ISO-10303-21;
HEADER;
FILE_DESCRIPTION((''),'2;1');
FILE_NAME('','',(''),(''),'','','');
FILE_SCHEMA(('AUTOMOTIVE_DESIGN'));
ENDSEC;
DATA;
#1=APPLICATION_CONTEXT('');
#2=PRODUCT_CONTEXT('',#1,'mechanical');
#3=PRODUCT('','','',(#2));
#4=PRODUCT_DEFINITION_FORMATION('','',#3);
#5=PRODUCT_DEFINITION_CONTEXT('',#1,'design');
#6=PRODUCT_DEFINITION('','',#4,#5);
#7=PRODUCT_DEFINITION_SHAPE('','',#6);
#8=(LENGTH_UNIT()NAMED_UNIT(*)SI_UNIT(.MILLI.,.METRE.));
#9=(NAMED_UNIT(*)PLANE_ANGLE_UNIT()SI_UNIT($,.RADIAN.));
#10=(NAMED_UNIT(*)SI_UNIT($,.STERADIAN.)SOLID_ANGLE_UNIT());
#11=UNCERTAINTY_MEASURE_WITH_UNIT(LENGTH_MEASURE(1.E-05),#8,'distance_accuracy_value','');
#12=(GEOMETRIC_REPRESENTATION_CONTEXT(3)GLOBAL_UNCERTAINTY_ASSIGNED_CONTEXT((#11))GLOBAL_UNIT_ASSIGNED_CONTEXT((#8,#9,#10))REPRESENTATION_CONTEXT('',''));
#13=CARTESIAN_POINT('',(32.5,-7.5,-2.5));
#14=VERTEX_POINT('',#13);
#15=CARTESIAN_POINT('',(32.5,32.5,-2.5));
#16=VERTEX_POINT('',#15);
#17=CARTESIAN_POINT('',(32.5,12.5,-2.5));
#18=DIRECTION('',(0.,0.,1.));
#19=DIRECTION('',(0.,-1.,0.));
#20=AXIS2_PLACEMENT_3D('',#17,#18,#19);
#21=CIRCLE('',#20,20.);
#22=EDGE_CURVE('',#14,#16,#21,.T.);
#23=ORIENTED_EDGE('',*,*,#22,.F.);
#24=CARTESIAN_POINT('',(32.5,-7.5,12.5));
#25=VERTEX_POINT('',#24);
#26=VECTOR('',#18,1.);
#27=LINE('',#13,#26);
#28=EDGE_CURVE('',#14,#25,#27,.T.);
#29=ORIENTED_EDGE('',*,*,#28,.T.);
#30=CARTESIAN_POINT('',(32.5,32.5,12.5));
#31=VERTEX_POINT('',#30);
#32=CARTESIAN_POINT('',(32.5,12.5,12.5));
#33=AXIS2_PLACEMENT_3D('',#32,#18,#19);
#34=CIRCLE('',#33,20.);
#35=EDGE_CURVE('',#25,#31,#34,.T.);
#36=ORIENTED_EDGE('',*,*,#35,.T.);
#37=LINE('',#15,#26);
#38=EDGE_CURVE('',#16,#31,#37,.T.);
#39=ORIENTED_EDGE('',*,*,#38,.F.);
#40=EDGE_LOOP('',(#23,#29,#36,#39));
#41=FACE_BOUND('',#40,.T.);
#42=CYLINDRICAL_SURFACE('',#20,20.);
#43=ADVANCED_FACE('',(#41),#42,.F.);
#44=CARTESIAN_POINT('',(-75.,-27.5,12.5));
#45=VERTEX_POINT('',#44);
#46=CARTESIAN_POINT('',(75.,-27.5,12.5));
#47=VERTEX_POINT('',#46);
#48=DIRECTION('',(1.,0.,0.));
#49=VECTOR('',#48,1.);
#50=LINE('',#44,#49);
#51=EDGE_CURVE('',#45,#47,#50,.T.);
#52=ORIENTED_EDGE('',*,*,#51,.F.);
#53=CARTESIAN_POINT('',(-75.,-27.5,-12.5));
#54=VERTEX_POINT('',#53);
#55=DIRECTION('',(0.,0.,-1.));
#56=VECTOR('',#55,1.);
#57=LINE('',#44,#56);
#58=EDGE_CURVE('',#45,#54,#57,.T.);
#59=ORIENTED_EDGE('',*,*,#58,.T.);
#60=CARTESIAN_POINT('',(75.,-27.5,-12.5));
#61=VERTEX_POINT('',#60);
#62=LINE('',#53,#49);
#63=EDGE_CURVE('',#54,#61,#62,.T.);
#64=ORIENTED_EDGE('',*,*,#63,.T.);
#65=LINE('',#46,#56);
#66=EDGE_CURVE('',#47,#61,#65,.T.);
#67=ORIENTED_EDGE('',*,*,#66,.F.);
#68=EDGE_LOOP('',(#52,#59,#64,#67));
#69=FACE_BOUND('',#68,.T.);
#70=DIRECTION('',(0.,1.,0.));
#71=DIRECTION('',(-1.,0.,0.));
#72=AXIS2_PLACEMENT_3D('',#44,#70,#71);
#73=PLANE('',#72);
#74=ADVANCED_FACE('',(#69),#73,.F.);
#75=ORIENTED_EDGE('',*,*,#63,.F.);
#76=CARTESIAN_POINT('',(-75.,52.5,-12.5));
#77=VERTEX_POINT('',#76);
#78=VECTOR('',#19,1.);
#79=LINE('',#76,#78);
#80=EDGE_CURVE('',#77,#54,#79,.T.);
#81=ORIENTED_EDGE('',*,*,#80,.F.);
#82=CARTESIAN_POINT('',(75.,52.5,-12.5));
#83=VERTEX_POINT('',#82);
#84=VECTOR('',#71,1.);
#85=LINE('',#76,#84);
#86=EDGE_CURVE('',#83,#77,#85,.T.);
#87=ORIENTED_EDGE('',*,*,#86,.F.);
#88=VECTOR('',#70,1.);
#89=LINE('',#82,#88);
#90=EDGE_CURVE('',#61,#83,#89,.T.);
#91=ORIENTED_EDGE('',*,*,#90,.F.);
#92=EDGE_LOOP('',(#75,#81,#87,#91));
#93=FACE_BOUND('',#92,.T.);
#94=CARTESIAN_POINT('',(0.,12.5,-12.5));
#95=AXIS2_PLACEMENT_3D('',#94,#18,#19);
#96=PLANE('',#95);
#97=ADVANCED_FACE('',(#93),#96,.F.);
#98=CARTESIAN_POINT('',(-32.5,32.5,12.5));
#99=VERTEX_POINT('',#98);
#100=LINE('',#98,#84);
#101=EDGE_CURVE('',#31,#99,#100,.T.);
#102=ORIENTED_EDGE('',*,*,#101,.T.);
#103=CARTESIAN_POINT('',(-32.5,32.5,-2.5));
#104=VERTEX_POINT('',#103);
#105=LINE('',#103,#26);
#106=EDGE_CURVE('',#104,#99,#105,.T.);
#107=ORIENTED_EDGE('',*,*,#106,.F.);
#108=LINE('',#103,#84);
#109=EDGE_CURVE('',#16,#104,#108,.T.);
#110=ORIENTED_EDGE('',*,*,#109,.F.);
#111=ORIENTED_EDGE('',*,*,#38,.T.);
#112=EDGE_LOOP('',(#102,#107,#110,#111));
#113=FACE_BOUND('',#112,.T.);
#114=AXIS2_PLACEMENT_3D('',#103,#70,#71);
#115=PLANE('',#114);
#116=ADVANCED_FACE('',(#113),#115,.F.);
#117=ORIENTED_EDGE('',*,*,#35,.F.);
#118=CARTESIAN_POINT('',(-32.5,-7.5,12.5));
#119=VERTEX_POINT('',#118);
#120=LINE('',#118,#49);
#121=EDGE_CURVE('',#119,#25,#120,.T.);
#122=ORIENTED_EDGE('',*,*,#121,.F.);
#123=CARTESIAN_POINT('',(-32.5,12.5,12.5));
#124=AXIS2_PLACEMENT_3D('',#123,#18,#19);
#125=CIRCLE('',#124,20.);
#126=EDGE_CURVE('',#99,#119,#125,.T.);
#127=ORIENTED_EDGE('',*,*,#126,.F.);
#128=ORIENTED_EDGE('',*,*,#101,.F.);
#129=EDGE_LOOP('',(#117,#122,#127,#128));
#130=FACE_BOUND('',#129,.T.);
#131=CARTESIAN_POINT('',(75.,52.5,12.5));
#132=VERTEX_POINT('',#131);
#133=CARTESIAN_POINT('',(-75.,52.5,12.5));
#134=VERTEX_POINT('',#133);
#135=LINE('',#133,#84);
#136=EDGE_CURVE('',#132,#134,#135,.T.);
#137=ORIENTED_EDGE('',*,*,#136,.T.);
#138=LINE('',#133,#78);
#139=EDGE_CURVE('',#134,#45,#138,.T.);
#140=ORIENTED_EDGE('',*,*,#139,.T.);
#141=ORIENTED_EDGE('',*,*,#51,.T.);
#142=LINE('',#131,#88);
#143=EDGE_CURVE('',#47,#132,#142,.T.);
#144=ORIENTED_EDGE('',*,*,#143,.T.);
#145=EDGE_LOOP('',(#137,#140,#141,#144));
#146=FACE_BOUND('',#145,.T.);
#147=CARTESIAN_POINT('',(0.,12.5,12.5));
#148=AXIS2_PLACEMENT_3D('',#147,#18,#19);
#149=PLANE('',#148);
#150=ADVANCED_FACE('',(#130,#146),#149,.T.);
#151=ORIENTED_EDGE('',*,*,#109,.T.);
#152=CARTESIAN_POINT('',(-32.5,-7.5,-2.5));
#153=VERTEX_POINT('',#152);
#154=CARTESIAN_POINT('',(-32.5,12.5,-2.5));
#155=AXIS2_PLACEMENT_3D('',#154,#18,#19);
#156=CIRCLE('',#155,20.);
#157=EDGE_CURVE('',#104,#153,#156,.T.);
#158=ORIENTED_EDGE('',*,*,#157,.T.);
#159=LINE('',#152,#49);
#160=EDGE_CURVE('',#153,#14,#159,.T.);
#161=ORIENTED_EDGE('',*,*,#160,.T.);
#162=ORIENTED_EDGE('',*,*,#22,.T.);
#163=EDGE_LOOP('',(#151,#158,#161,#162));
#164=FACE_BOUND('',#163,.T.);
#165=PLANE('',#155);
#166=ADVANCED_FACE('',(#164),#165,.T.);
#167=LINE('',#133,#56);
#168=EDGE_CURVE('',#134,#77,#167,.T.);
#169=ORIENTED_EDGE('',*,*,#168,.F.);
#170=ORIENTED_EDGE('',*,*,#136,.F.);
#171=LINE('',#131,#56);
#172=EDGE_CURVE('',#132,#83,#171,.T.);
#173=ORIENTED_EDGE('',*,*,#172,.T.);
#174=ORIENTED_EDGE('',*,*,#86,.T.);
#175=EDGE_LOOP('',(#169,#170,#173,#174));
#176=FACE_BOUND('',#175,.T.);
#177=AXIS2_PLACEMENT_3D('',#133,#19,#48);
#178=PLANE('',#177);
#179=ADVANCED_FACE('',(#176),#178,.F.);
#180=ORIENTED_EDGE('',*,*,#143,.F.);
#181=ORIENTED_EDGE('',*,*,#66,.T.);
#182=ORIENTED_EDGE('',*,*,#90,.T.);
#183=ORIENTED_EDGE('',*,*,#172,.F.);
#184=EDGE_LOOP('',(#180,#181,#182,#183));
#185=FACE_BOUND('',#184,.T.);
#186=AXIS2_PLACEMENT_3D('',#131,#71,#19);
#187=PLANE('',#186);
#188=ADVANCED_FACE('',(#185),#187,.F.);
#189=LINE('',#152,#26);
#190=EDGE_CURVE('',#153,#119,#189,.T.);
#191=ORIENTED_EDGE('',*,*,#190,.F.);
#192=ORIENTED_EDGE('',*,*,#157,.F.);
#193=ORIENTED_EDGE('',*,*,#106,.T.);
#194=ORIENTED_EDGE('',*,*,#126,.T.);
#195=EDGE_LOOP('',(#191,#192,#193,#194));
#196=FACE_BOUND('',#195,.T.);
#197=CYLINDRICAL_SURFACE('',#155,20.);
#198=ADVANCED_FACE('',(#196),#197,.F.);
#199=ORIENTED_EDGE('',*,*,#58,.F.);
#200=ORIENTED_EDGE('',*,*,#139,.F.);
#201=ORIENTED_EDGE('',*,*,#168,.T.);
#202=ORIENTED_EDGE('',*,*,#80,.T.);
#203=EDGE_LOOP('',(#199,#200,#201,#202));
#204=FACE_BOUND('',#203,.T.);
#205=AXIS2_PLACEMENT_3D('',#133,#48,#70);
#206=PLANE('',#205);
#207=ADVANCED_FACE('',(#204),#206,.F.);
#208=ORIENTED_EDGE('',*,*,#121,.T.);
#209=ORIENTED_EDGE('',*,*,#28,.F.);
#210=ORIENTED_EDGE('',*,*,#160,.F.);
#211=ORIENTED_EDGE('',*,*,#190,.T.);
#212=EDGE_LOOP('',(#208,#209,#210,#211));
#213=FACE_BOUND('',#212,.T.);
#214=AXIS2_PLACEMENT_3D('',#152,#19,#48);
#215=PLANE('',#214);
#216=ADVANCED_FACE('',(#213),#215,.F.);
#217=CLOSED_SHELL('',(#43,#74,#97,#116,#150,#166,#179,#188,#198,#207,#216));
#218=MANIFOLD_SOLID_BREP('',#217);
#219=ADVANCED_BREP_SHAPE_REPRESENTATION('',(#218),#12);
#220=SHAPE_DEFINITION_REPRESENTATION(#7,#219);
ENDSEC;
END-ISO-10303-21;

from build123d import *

# Parameters (mm, degrees)
SKETCH_1_W          = 150
SKETCH_1_H          = 80
EXTRUDE_1_DEPTH     = 25
CUT_EXTRUDE_1_DEPTH = 15
MOVE_BODY_1_ANGLE   = 90


with BuildPart() as part:
    # 草图1 → 凸台-拉伸1 (new body)
    with BuildSketch(Plane(origin=(0, 0, 0), x_dir=(1, 0, 0), z_dir=(0, 1, 0))):
        Rectangle(SKETCH_1_W, SKETCH_1_H)
    extrude(amount=EXTRUDE_1_DEPTH)

    # 草图2 → 切除-拉伸1 (cut)
    with BuildSketch(Plane(origin=(0, 25, 0), x_dir=(1, 0, 0), z_dir=(0, 1, 0))):
        with BuildLine():
            Line((-32.5, 20), (32.5, 20))
            ThreePointArc((32.5, 20), (52.5, 0), (32.5, -20))
            Line((32.5, -20), (-32.5, -20))
            ThreePointArc((-32.5, -20), (-52.5, 0), (-32.5, 20))
        make_face()
    extrude(amount=-CUT_EXTRUDE_1_DEPTH, mode=Mode.SUBTRACT)


with BuildPart() as part_1:
    # Move Body 1: moved
    add(part.part.rotate(Axis((0, 12.5, 0), (1, 0, 0)), MOVE_BODY_1_ANGLE))


solid = part_1.part
